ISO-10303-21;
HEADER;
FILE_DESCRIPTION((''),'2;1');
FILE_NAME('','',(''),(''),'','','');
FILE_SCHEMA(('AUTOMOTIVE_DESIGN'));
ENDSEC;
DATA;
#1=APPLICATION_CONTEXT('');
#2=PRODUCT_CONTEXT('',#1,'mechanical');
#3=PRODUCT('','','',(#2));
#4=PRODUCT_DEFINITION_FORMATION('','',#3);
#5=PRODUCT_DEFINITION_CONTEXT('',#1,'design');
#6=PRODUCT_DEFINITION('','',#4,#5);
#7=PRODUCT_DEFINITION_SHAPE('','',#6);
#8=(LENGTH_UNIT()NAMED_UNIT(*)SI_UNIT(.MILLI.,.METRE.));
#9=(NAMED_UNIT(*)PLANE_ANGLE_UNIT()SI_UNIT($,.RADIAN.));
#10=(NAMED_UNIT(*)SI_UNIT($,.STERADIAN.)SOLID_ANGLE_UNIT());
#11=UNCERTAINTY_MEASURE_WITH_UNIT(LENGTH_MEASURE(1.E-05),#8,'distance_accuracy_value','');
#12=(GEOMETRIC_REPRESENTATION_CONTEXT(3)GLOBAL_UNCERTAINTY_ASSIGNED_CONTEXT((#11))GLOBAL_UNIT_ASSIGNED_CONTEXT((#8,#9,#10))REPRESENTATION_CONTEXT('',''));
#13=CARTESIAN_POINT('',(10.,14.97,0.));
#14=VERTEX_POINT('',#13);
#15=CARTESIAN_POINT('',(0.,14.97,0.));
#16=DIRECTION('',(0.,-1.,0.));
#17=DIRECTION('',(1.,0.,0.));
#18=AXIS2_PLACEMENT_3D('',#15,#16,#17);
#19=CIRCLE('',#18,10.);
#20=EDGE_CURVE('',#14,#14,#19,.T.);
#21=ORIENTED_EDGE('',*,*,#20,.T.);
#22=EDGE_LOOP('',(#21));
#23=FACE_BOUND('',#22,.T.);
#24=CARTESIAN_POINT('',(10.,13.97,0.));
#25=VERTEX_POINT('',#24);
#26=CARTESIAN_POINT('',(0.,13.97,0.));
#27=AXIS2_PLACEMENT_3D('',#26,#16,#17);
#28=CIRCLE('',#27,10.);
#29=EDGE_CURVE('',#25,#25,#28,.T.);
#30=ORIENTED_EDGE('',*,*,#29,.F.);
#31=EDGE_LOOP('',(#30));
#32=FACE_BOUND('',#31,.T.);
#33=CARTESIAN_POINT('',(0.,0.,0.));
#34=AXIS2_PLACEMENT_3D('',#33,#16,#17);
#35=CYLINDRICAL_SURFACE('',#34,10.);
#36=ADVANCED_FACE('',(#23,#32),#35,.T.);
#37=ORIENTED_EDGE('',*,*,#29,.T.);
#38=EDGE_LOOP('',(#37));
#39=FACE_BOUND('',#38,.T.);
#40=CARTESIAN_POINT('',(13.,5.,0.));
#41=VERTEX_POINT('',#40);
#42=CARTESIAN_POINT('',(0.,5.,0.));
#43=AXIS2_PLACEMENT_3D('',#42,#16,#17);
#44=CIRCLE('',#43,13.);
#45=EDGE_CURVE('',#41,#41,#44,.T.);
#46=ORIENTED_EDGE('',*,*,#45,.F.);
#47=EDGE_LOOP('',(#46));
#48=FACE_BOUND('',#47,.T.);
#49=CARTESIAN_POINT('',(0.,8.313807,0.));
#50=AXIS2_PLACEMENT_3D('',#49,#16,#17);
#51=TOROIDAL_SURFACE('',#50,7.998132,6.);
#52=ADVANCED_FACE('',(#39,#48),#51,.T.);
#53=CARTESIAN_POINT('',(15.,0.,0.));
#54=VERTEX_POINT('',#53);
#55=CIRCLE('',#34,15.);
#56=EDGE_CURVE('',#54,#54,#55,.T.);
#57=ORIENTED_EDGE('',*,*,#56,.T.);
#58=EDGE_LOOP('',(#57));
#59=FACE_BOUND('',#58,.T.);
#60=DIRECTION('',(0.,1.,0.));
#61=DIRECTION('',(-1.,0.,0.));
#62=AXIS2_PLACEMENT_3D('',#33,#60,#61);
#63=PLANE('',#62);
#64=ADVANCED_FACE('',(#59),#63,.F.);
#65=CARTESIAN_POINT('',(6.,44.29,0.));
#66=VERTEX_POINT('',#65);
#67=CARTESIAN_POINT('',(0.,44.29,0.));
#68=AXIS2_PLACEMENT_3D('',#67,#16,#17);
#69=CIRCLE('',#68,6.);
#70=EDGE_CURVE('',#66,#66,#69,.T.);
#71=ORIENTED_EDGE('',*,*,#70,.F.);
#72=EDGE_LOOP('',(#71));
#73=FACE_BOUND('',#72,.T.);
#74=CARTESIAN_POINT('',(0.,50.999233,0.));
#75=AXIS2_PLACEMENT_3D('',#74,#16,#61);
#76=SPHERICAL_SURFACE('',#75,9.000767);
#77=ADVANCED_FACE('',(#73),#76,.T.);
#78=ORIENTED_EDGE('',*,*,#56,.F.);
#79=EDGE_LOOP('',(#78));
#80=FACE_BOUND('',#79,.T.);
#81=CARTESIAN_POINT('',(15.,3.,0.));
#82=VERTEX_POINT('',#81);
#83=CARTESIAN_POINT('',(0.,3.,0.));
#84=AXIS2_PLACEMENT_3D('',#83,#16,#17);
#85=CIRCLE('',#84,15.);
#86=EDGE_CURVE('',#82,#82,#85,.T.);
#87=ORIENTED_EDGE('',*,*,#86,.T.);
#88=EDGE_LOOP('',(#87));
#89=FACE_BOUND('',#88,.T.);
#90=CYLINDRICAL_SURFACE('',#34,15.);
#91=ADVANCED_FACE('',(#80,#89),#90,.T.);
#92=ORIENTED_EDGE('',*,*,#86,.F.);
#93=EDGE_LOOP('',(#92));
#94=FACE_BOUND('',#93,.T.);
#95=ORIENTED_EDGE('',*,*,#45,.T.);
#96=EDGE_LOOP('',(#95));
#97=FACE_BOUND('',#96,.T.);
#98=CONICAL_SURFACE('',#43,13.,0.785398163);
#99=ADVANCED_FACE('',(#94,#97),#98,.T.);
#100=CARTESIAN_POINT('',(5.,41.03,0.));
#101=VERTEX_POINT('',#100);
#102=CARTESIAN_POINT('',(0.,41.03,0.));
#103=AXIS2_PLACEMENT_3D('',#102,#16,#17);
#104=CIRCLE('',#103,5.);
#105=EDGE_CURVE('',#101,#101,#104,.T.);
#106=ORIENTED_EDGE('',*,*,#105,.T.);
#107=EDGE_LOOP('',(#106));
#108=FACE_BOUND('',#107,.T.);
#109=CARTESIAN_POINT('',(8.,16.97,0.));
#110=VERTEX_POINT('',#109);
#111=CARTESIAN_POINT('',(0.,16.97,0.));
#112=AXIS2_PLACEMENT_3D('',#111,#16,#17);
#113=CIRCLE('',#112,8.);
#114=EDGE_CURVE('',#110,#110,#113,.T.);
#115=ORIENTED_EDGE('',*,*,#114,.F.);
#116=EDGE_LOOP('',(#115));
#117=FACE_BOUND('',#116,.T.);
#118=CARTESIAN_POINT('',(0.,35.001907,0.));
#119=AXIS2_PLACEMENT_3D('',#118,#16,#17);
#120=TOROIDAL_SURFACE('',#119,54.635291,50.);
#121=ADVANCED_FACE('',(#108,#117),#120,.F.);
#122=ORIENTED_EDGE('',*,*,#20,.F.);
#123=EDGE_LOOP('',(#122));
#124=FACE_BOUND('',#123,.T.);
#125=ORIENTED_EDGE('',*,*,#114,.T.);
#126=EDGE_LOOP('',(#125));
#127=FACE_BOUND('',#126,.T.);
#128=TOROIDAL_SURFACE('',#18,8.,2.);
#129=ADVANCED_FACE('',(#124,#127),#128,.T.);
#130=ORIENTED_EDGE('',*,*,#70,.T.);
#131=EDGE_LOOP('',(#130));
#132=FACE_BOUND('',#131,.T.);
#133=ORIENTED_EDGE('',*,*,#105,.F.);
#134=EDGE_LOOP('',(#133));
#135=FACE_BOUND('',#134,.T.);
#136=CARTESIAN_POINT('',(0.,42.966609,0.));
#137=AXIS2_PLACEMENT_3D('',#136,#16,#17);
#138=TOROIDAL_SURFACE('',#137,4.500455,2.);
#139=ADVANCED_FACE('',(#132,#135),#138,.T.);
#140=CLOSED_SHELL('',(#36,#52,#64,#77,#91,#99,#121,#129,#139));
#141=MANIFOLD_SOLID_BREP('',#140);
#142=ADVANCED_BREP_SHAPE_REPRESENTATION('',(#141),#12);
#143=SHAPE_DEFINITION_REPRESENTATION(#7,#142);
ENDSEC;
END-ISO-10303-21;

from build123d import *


with BuildPart() as part:
    # Sketch1 → Revolve3 (revolve)
    with BuildSketch(Plane.XY, mode=Mode.PRIVATE) as revolve3_sk:
        with BuildLine():
            Line((0, 0), (-15, 0))
            Line((-15, 0), (-15, 3))
            Line((-15, 3), (-13, 5))
            ThreePointArc((-13, 5), (-13.688325627, 10.216881481), (-10, 13.97))
            Line((-10, 13.97), (-10, 14.97))
            ThreePointArc((-10, 14.97), (-9.414213562, 16.384213562), (-8, 16.97))
            ThreePointArc((-8, 16.97), (-5.019495729, 28.81539847), (-5, 41.03))
            ThreePointArc((-5, 41.03), (-6.412519214, 42.380086131), (-6, 44.29))
            ThreePointArc((-6, 44.29), (-8.408390155, 54.210585037), (0, 60))
            Line((0, 60), (0, 0))
        make_face()
    revolve(revolve3_sk.sketch.rotate(Axis((0, 0, 0), (0, 1, 0)), 180), axis=Axis((0, 0, 0), (0, 1, 0)))


solid = part.part
